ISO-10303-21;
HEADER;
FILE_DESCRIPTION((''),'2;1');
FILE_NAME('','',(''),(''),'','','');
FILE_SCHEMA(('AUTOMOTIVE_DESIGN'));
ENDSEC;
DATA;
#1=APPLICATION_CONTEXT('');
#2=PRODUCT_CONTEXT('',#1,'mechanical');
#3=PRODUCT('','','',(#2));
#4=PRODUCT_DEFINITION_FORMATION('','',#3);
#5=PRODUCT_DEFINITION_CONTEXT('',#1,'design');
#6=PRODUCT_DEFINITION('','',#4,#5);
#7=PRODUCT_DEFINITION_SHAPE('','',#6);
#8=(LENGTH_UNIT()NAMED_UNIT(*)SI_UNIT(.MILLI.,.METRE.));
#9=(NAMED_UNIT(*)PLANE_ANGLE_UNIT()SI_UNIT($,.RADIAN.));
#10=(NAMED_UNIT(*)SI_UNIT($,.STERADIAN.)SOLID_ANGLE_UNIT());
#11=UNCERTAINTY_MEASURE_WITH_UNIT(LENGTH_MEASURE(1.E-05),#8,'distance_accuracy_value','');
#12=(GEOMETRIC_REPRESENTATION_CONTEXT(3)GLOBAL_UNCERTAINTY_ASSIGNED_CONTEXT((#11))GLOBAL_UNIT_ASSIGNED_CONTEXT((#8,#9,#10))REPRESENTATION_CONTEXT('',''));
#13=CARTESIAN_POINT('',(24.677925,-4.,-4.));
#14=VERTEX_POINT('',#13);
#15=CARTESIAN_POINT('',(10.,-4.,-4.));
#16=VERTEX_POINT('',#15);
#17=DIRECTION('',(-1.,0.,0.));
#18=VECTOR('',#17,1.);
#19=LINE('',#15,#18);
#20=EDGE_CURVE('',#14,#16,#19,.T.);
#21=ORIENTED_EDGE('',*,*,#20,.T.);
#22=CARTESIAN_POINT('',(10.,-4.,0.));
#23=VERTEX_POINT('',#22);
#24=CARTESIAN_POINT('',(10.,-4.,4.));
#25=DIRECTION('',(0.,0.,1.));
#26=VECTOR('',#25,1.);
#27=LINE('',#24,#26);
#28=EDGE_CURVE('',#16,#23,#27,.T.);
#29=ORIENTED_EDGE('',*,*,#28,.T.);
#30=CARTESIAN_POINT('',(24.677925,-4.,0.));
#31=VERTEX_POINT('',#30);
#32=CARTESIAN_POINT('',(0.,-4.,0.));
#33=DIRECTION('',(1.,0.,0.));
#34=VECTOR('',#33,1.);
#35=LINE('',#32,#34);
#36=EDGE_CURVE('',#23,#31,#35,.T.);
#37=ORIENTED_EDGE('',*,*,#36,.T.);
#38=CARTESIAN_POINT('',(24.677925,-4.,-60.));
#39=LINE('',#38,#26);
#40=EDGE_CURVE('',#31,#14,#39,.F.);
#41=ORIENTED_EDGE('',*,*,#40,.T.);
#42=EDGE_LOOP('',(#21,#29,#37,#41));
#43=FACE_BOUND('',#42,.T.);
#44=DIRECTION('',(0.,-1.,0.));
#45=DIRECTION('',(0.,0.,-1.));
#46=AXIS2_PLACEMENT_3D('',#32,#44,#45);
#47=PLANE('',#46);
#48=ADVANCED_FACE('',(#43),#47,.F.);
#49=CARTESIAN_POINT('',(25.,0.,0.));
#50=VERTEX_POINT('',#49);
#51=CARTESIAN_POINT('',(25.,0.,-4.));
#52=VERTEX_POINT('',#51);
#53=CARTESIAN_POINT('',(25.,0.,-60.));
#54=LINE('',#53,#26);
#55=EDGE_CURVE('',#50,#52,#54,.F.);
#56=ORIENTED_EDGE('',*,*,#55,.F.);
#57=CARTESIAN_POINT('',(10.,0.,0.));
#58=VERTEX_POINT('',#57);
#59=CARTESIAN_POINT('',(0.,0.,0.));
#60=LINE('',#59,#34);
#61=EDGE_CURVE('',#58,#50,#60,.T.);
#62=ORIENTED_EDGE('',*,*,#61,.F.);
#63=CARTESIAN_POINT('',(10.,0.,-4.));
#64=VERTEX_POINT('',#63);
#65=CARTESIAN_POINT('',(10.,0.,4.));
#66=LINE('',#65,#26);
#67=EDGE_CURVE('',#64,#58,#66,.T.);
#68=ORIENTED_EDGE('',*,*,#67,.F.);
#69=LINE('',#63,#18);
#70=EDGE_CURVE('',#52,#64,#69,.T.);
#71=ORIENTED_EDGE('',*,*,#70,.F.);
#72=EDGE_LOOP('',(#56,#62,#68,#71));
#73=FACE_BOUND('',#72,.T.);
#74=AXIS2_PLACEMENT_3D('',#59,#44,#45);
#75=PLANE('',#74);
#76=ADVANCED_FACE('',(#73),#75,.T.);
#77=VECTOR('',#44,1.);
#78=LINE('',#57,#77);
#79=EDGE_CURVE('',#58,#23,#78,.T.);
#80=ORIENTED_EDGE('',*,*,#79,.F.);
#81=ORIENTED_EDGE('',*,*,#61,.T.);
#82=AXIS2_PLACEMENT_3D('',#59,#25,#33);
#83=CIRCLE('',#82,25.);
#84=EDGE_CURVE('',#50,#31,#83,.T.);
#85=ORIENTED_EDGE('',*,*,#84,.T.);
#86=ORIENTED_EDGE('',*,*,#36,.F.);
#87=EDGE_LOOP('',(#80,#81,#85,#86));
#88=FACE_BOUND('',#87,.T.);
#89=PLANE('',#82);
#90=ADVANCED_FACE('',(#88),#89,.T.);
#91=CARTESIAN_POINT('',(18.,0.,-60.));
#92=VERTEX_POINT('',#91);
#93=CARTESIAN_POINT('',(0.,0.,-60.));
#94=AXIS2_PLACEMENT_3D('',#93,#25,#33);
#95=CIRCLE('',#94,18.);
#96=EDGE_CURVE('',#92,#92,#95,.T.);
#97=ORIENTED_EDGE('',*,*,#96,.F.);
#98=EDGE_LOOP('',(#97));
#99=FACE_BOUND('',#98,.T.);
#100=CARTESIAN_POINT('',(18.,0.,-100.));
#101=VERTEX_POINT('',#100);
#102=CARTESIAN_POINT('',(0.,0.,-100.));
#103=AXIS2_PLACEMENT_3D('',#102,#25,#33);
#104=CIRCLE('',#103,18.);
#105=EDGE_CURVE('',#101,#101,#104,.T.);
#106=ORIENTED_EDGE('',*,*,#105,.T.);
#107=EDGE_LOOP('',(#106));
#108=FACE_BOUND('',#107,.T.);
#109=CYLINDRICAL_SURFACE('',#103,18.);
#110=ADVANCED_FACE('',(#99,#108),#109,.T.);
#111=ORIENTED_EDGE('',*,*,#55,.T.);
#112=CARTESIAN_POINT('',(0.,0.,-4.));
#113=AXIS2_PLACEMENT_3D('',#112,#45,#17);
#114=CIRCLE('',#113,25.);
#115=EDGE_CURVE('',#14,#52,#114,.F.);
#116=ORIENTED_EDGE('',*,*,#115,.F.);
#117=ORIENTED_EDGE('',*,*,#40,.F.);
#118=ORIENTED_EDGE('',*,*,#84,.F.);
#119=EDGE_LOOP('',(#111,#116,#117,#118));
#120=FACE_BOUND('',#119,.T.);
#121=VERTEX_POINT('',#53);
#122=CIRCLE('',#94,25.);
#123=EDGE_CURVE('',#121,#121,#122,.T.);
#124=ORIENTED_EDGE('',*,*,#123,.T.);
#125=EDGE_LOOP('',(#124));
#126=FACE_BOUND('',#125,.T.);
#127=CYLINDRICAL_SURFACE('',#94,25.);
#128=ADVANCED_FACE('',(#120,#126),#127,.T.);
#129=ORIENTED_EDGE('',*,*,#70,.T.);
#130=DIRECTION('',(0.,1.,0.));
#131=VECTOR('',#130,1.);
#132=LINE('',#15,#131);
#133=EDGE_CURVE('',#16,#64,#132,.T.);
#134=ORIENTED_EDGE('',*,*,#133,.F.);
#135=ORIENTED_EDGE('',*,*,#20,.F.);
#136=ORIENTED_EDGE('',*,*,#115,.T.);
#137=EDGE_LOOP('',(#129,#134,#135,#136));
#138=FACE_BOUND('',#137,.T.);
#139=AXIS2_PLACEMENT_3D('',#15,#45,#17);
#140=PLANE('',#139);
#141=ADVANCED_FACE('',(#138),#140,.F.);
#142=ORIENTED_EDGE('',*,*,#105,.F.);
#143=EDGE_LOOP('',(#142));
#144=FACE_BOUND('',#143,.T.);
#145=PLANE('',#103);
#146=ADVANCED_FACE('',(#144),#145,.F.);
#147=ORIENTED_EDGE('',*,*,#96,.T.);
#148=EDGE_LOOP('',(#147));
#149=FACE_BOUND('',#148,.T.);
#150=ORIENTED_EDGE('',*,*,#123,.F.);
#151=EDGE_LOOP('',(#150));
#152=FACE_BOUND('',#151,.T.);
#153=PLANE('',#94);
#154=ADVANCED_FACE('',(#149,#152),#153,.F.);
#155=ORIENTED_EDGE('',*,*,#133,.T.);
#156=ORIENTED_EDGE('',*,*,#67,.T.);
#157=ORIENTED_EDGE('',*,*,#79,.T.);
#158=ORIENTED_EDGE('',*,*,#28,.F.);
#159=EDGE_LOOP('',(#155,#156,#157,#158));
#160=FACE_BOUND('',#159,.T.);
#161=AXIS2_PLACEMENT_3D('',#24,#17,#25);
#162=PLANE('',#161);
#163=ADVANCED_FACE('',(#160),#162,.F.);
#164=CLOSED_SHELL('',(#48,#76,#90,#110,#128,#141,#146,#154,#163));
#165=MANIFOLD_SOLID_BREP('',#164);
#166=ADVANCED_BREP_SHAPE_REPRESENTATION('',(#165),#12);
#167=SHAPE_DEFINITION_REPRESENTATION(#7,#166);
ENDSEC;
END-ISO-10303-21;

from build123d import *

# Parameters (mm, degrees)
SKETCH_1_R          = 25
EXTRUDE_1_DEPTH     = 60
SKETCH_2_R          = 18
EXTRUDE_2_DEPTH     = 100
SKETCH_3_W          = 25
SKETCH_3_H          = 8
CUT_EXTRUDE_1_DEPTH = 4


with BuildPart() as part:
    # 草图1 → 凸台-拉伸1 (new body)
    with BuildSketch(Plane.XY):
        Circle(SKETCH_1_R)
    extrude(amount=-EXTRUDE_1_DEPTH)

    # 草图2 → 凸台-拉伸2 (add)
    with BuildSketch(Plane.XY):
        Circle(SKETCH_2_R)
    extrude(amount=-EXTRUDE_2_DEPTH)

    # 草图3 → 切除-拉伸1 (cut)
    with BuildSketch(Plane(origin=(0, 0, 0), x_dir=(1, 0, 0), z_dir=(0, 1, 0))):
        with Locations((22.5, 0)):
            Rectangle(SKETCH_3_W, SKETCH_3_H)
    extrude(amount=-CUT_EXTRUDE_1_DEPTH, mode=Mode.SUBTRACT)


solid = part.part
